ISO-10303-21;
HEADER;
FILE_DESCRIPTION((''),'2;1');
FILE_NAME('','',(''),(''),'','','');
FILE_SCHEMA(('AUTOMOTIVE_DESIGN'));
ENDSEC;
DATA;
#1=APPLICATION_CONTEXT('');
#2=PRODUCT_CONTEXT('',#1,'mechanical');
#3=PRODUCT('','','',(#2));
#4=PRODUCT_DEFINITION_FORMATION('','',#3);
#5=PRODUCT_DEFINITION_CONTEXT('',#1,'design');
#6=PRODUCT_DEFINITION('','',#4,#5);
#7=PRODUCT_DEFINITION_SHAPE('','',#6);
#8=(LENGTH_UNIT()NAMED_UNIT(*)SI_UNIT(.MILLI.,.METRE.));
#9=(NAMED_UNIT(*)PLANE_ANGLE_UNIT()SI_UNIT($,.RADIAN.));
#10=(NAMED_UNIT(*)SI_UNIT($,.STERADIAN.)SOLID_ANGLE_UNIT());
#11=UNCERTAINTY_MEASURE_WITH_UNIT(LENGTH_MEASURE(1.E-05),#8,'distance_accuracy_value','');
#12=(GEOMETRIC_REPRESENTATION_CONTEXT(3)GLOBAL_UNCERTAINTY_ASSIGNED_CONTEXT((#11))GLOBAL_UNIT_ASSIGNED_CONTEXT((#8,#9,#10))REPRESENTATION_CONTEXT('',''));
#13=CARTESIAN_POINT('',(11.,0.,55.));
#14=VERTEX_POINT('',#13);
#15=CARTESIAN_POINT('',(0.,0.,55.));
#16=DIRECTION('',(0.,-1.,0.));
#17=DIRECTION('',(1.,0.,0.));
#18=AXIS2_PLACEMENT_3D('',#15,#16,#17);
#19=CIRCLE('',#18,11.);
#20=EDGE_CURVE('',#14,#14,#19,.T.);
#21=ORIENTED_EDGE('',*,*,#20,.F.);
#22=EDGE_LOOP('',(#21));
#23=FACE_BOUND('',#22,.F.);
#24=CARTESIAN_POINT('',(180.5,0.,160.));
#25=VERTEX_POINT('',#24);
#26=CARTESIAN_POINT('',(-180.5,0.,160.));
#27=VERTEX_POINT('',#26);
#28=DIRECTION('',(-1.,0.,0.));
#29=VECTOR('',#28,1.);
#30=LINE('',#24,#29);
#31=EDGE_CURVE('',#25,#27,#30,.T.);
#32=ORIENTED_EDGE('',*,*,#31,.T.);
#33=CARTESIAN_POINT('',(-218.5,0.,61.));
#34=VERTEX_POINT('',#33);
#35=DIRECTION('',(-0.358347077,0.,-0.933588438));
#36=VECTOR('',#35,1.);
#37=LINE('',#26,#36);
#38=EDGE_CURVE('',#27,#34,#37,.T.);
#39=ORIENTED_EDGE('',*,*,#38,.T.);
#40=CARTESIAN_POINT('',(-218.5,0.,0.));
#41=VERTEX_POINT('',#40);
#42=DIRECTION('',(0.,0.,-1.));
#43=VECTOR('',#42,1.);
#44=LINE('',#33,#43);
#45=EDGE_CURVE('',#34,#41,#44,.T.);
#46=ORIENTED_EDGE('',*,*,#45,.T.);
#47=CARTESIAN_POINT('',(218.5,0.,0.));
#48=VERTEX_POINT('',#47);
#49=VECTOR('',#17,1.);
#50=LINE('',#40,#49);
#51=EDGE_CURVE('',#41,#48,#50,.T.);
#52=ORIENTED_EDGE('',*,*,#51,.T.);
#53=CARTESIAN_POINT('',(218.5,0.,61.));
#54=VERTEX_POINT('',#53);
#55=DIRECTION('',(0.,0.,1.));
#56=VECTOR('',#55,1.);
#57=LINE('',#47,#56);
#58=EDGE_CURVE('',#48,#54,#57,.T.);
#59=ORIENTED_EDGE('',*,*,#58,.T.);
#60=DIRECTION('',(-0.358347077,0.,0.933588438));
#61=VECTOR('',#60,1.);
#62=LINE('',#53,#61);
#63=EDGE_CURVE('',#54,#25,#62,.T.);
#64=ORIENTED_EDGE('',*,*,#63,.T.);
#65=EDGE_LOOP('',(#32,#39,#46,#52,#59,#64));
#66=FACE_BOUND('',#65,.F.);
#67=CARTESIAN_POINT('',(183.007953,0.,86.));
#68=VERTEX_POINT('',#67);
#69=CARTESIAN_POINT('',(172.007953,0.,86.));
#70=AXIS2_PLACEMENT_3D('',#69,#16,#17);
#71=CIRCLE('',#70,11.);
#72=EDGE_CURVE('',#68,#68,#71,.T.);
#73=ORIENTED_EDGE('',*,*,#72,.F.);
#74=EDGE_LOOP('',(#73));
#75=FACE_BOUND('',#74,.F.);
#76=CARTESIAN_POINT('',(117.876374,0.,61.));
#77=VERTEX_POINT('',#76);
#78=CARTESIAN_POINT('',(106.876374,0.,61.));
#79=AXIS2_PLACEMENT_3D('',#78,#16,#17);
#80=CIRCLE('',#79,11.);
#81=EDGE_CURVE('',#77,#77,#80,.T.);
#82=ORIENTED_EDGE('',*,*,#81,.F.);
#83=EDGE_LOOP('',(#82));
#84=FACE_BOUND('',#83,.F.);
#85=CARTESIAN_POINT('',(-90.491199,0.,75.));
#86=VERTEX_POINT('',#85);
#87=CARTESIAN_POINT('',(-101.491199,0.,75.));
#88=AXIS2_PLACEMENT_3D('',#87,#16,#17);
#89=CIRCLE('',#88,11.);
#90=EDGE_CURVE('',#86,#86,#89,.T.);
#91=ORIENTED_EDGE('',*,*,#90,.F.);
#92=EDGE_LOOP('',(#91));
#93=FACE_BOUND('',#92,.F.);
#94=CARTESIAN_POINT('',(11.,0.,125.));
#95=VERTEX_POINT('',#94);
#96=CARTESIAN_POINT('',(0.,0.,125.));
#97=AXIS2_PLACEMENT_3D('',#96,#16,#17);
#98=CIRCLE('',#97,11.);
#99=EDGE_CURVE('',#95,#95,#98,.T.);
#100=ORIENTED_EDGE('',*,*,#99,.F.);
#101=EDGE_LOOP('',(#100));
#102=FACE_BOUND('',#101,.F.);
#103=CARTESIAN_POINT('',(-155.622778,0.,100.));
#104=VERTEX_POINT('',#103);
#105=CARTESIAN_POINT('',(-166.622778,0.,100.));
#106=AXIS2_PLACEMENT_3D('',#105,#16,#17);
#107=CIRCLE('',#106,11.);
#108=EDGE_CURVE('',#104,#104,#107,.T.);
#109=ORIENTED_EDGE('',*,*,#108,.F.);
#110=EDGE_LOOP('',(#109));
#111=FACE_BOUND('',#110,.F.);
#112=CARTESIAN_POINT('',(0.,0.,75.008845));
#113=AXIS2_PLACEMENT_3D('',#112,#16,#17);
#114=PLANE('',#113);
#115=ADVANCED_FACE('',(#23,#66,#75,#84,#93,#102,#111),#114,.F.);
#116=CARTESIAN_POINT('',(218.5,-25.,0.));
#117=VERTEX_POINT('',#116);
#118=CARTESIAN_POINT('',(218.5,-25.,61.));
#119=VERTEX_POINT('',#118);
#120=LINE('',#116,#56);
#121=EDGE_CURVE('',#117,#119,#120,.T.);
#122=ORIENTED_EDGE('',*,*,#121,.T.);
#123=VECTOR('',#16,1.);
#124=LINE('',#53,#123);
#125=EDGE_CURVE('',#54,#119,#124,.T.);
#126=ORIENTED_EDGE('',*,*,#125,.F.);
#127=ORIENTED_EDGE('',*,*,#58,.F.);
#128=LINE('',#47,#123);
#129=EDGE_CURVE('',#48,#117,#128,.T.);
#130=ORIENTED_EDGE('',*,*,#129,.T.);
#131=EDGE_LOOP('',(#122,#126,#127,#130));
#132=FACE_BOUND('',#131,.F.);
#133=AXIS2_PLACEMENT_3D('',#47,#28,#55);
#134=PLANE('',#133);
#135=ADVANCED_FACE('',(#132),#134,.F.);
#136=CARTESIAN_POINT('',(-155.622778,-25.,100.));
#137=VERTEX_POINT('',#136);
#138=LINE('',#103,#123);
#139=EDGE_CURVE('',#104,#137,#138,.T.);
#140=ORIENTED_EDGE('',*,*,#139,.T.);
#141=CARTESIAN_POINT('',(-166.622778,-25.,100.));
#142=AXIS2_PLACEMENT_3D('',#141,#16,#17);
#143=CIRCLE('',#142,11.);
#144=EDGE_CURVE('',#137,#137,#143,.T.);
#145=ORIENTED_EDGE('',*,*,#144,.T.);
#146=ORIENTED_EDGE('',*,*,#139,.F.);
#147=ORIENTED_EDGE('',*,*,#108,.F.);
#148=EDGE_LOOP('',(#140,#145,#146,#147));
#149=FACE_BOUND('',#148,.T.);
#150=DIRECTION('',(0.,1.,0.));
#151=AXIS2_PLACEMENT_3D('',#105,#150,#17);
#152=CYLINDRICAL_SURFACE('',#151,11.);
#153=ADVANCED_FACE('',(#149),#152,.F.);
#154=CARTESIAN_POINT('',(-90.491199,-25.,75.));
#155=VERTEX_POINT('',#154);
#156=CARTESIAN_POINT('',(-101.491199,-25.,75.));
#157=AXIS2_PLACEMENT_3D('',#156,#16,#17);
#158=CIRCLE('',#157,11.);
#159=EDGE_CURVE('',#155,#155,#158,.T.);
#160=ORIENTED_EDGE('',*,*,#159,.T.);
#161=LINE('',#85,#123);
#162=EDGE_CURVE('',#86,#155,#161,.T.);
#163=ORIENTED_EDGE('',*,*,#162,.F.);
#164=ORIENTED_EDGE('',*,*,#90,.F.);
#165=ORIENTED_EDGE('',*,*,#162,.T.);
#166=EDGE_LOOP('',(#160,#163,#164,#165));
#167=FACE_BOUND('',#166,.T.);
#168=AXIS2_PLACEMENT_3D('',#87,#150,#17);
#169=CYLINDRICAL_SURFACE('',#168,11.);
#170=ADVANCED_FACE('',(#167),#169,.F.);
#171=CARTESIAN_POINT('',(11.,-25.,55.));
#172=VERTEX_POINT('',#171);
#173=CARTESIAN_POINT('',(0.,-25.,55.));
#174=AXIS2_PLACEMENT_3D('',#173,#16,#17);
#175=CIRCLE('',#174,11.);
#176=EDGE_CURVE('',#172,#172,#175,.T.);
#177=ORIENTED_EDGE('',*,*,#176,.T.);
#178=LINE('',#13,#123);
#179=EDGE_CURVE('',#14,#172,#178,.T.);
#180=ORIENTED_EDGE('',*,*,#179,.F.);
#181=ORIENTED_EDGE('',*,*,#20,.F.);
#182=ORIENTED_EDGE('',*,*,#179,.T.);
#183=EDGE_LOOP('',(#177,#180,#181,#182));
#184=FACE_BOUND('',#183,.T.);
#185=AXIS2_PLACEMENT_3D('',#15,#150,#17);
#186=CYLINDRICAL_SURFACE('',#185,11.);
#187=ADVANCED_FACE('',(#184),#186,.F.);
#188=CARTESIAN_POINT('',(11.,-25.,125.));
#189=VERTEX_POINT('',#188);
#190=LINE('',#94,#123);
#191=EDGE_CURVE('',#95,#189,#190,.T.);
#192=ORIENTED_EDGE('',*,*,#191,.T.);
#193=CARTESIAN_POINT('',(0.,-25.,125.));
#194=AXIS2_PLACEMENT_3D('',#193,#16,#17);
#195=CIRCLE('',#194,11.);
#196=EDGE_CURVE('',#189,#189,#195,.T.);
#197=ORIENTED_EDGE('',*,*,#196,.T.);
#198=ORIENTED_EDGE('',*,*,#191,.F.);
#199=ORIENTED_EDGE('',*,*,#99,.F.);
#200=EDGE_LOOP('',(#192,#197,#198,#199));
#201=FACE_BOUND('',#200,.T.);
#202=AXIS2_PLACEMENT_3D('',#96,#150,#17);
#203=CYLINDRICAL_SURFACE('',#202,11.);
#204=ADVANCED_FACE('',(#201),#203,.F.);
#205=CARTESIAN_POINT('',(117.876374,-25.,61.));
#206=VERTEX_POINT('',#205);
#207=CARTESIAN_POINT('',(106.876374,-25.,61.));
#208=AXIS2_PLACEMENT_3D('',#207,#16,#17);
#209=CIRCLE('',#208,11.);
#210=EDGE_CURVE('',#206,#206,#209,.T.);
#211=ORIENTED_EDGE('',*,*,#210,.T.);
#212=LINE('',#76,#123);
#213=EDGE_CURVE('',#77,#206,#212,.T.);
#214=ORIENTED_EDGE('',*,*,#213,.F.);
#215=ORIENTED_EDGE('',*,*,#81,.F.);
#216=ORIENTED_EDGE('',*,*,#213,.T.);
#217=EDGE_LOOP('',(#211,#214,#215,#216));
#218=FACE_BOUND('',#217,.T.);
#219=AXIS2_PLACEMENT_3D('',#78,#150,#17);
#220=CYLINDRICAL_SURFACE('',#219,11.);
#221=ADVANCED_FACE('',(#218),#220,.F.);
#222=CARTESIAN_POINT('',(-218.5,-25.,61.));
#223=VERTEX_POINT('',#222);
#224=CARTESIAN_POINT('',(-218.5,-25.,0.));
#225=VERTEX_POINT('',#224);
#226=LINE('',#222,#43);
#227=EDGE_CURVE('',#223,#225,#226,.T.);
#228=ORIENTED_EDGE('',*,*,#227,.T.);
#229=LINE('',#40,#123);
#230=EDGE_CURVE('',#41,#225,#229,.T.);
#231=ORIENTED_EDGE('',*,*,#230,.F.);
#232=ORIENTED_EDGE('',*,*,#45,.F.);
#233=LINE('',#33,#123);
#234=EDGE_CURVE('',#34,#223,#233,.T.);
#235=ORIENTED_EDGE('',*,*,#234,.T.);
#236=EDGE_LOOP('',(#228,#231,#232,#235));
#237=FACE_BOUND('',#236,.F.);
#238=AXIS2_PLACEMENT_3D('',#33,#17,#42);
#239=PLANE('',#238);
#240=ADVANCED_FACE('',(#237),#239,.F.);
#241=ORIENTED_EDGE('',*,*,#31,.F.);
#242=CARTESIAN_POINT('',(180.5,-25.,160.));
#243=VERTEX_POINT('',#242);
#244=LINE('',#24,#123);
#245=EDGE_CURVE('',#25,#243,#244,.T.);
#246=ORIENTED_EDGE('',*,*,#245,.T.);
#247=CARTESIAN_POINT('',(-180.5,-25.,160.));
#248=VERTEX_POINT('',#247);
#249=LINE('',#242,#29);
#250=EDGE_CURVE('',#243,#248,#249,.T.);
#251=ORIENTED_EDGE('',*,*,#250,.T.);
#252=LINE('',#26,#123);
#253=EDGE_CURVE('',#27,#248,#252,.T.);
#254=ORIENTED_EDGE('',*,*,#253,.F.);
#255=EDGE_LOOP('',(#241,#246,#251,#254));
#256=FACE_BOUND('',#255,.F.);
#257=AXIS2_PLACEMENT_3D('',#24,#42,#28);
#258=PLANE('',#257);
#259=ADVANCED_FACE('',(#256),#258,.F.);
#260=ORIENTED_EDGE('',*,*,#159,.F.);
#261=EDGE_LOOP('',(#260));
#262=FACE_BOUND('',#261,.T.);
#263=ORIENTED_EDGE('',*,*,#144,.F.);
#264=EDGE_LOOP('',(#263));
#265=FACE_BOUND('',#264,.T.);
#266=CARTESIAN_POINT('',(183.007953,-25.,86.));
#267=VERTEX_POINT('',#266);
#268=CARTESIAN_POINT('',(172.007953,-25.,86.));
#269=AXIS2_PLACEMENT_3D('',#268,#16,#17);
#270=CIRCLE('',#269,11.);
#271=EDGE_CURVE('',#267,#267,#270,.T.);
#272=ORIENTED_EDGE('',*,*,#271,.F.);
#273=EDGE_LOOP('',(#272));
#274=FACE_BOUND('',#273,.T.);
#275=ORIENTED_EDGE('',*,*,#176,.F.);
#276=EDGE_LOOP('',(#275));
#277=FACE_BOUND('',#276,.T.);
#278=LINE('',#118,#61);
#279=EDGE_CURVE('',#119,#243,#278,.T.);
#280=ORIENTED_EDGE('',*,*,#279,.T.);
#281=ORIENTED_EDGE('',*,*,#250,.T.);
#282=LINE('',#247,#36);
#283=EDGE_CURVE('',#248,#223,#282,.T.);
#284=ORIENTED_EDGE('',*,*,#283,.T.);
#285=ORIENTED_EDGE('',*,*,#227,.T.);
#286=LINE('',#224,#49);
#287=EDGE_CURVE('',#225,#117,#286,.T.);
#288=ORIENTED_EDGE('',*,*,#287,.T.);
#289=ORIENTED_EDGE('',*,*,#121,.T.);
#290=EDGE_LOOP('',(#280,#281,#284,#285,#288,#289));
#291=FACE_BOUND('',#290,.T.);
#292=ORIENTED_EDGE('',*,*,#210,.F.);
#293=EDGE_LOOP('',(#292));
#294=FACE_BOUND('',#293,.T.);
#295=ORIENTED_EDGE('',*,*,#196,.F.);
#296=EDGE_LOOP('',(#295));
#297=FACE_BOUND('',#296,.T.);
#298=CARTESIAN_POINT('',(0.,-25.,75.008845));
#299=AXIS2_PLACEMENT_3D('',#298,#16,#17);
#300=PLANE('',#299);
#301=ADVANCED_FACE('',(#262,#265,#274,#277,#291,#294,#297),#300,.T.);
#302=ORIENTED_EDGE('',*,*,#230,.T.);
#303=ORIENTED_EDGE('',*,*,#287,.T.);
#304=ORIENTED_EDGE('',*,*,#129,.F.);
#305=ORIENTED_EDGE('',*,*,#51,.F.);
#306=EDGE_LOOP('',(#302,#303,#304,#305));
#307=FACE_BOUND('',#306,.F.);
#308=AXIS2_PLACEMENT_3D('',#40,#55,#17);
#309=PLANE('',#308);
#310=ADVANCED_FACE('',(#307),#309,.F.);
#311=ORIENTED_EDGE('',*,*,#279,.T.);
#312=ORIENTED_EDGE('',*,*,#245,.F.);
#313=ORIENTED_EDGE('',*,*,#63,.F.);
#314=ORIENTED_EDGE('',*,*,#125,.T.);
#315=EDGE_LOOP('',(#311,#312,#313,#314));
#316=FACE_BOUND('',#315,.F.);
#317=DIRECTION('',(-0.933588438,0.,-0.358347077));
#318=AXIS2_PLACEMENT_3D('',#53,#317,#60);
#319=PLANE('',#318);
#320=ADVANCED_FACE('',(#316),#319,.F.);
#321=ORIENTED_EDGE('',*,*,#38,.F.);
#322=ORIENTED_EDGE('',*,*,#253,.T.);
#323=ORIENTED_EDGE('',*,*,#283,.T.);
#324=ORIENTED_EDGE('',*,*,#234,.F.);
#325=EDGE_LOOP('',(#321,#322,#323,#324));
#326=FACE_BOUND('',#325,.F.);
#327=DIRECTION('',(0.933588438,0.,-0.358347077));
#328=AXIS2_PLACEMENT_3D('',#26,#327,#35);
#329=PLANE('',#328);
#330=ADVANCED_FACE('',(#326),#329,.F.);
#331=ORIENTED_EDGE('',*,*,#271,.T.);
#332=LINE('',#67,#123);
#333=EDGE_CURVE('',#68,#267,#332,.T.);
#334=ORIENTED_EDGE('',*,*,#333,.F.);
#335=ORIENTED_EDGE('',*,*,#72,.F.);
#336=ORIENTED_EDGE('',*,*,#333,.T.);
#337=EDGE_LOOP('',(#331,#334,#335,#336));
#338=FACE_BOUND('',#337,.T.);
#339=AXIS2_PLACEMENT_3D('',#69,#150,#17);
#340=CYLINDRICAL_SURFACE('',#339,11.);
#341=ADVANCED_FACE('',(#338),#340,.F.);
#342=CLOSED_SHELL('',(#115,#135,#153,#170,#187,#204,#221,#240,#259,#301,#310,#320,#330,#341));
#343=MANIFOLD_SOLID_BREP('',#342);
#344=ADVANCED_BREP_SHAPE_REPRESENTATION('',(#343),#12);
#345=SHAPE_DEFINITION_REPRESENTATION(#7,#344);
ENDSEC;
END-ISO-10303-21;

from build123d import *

# Parameters (mm, degrees)
F0_R     = 11
F1_DEPTH = 25


with BuildPart() as f1:
    # F0 (on Front) → F1 (new body)
    with BuildSketch(Plane.XZ):
        Polygon((-218.5, 61), (-218.5, 0), (218.5, 0), (218.5, 61), (180.5, 160), (-180.5, 160), align=None)
        with Locations((-101.491199, 75)):
            Circle(F0_R, mode=Mode.SUBTRACT)
        with Locations((0, 55)):
            Circle(F0_R, mode=Mode.SUBTRACT)
        with Locations((106.876374, 61)):
            Circle(F0_R, mode=Mode.SUBTRACT)
        with Locations((-166.622778, 100)):
            Circle(F0_R, mode=Mode.SUBTRACT)
        with Locations((172.007953, 86)):
            Circle(F0_R, mode=Mode.SUBTRACT)
        with Locations((0, 125)):
            Circle(F0_R, mode=Mode.SUBTRACT)
    extrude(amount=F1_DEPTH)


solid = f1.part
